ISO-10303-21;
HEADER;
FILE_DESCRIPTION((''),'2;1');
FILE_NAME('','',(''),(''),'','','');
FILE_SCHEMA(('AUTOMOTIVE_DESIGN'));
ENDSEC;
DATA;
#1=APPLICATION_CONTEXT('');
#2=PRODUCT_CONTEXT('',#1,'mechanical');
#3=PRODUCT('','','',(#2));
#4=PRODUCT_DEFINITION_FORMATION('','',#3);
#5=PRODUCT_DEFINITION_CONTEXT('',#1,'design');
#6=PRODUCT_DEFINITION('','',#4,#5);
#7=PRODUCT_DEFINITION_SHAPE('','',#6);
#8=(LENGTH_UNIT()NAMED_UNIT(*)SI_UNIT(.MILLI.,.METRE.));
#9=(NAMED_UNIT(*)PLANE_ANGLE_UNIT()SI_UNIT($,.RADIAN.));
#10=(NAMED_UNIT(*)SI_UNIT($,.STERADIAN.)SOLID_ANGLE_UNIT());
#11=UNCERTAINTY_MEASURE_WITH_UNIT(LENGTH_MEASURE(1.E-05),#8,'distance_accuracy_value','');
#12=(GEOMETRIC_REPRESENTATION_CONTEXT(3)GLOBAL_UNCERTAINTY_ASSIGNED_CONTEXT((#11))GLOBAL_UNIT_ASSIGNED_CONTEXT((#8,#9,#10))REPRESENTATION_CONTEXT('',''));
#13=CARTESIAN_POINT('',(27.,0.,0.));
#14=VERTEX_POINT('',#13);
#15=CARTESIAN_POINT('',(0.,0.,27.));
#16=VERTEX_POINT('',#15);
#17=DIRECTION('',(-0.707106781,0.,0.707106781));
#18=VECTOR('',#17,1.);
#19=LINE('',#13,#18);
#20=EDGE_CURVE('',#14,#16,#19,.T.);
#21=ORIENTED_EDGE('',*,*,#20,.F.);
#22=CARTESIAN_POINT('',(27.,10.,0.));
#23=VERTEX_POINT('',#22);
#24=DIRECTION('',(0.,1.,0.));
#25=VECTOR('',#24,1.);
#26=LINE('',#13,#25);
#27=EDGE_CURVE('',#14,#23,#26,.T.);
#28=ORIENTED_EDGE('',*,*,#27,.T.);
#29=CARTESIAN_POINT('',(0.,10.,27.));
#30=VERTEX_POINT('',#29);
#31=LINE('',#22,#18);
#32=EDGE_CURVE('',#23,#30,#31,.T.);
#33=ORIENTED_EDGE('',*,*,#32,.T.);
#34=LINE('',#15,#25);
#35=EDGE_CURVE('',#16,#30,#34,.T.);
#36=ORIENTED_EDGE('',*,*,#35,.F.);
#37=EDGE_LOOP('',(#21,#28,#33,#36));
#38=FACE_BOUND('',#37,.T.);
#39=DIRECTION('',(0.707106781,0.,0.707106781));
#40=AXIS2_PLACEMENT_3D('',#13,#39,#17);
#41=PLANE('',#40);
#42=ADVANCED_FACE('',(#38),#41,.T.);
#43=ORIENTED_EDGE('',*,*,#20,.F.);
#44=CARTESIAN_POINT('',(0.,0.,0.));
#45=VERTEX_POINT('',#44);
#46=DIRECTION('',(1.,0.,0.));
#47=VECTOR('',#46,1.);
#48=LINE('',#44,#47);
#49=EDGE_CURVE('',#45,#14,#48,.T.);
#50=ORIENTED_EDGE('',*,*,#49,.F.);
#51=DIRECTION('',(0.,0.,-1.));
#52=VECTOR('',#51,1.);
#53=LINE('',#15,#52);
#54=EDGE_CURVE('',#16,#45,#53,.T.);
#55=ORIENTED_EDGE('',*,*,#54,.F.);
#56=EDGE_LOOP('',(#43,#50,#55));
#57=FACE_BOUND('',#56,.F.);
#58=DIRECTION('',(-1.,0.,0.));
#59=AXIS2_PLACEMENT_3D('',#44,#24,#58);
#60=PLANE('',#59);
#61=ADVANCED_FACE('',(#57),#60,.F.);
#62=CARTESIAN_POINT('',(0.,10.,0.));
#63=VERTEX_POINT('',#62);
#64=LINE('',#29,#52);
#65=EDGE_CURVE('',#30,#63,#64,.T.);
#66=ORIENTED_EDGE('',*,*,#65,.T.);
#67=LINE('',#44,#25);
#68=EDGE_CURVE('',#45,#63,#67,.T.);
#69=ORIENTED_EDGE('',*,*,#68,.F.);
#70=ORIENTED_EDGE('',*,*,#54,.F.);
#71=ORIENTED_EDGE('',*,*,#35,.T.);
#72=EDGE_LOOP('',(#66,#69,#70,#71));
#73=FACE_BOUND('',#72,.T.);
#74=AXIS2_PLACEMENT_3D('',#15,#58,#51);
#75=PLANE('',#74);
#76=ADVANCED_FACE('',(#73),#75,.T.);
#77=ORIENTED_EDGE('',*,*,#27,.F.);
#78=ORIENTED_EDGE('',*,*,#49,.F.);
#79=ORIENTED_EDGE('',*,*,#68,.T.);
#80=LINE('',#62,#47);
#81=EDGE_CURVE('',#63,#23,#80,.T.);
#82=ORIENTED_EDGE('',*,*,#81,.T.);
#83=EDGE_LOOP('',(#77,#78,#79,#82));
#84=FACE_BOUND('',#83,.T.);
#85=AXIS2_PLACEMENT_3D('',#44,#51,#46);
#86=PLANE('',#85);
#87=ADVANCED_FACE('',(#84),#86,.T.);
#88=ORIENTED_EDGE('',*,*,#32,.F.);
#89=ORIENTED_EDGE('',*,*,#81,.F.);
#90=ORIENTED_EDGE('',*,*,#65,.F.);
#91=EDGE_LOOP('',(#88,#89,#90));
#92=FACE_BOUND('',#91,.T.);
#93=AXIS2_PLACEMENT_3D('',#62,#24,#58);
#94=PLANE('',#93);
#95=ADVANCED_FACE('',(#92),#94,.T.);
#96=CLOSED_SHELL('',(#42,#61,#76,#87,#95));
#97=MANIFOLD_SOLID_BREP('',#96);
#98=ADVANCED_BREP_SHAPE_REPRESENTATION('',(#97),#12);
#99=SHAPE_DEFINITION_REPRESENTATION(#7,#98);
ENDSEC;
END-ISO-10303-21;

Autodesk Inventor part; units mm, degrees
ref_plane "YZ Plane" through (0, 0, 0) normal (1, 0, 0) x (0, 1, 0)
ref_plane "XZ Plane" through (0, 0, 0) normal (0, 1, 0) x (-1, 0, 0)
ref_plane "XY Plane" through (0, 0, 0) normal (0, 0, 1) x (1, 0, 0)
sketch "Skizze1" plane through (0, 0, 0) normal (0, 1, 0) x (-1, 0, 0)
  line L0 (0, 0) -> (-27, 0)
  line L1 (-27, 0) -> (0, 27)
  line L2 (0, 27) -> (0, 0)
  dimension "d0" = 27
  dimension "d1" = 27
extrude "Extrusion1" add sketch "Skizze1" along normal blind 10
equation "\"d1\" = d0"
properties part number "Ecke"
